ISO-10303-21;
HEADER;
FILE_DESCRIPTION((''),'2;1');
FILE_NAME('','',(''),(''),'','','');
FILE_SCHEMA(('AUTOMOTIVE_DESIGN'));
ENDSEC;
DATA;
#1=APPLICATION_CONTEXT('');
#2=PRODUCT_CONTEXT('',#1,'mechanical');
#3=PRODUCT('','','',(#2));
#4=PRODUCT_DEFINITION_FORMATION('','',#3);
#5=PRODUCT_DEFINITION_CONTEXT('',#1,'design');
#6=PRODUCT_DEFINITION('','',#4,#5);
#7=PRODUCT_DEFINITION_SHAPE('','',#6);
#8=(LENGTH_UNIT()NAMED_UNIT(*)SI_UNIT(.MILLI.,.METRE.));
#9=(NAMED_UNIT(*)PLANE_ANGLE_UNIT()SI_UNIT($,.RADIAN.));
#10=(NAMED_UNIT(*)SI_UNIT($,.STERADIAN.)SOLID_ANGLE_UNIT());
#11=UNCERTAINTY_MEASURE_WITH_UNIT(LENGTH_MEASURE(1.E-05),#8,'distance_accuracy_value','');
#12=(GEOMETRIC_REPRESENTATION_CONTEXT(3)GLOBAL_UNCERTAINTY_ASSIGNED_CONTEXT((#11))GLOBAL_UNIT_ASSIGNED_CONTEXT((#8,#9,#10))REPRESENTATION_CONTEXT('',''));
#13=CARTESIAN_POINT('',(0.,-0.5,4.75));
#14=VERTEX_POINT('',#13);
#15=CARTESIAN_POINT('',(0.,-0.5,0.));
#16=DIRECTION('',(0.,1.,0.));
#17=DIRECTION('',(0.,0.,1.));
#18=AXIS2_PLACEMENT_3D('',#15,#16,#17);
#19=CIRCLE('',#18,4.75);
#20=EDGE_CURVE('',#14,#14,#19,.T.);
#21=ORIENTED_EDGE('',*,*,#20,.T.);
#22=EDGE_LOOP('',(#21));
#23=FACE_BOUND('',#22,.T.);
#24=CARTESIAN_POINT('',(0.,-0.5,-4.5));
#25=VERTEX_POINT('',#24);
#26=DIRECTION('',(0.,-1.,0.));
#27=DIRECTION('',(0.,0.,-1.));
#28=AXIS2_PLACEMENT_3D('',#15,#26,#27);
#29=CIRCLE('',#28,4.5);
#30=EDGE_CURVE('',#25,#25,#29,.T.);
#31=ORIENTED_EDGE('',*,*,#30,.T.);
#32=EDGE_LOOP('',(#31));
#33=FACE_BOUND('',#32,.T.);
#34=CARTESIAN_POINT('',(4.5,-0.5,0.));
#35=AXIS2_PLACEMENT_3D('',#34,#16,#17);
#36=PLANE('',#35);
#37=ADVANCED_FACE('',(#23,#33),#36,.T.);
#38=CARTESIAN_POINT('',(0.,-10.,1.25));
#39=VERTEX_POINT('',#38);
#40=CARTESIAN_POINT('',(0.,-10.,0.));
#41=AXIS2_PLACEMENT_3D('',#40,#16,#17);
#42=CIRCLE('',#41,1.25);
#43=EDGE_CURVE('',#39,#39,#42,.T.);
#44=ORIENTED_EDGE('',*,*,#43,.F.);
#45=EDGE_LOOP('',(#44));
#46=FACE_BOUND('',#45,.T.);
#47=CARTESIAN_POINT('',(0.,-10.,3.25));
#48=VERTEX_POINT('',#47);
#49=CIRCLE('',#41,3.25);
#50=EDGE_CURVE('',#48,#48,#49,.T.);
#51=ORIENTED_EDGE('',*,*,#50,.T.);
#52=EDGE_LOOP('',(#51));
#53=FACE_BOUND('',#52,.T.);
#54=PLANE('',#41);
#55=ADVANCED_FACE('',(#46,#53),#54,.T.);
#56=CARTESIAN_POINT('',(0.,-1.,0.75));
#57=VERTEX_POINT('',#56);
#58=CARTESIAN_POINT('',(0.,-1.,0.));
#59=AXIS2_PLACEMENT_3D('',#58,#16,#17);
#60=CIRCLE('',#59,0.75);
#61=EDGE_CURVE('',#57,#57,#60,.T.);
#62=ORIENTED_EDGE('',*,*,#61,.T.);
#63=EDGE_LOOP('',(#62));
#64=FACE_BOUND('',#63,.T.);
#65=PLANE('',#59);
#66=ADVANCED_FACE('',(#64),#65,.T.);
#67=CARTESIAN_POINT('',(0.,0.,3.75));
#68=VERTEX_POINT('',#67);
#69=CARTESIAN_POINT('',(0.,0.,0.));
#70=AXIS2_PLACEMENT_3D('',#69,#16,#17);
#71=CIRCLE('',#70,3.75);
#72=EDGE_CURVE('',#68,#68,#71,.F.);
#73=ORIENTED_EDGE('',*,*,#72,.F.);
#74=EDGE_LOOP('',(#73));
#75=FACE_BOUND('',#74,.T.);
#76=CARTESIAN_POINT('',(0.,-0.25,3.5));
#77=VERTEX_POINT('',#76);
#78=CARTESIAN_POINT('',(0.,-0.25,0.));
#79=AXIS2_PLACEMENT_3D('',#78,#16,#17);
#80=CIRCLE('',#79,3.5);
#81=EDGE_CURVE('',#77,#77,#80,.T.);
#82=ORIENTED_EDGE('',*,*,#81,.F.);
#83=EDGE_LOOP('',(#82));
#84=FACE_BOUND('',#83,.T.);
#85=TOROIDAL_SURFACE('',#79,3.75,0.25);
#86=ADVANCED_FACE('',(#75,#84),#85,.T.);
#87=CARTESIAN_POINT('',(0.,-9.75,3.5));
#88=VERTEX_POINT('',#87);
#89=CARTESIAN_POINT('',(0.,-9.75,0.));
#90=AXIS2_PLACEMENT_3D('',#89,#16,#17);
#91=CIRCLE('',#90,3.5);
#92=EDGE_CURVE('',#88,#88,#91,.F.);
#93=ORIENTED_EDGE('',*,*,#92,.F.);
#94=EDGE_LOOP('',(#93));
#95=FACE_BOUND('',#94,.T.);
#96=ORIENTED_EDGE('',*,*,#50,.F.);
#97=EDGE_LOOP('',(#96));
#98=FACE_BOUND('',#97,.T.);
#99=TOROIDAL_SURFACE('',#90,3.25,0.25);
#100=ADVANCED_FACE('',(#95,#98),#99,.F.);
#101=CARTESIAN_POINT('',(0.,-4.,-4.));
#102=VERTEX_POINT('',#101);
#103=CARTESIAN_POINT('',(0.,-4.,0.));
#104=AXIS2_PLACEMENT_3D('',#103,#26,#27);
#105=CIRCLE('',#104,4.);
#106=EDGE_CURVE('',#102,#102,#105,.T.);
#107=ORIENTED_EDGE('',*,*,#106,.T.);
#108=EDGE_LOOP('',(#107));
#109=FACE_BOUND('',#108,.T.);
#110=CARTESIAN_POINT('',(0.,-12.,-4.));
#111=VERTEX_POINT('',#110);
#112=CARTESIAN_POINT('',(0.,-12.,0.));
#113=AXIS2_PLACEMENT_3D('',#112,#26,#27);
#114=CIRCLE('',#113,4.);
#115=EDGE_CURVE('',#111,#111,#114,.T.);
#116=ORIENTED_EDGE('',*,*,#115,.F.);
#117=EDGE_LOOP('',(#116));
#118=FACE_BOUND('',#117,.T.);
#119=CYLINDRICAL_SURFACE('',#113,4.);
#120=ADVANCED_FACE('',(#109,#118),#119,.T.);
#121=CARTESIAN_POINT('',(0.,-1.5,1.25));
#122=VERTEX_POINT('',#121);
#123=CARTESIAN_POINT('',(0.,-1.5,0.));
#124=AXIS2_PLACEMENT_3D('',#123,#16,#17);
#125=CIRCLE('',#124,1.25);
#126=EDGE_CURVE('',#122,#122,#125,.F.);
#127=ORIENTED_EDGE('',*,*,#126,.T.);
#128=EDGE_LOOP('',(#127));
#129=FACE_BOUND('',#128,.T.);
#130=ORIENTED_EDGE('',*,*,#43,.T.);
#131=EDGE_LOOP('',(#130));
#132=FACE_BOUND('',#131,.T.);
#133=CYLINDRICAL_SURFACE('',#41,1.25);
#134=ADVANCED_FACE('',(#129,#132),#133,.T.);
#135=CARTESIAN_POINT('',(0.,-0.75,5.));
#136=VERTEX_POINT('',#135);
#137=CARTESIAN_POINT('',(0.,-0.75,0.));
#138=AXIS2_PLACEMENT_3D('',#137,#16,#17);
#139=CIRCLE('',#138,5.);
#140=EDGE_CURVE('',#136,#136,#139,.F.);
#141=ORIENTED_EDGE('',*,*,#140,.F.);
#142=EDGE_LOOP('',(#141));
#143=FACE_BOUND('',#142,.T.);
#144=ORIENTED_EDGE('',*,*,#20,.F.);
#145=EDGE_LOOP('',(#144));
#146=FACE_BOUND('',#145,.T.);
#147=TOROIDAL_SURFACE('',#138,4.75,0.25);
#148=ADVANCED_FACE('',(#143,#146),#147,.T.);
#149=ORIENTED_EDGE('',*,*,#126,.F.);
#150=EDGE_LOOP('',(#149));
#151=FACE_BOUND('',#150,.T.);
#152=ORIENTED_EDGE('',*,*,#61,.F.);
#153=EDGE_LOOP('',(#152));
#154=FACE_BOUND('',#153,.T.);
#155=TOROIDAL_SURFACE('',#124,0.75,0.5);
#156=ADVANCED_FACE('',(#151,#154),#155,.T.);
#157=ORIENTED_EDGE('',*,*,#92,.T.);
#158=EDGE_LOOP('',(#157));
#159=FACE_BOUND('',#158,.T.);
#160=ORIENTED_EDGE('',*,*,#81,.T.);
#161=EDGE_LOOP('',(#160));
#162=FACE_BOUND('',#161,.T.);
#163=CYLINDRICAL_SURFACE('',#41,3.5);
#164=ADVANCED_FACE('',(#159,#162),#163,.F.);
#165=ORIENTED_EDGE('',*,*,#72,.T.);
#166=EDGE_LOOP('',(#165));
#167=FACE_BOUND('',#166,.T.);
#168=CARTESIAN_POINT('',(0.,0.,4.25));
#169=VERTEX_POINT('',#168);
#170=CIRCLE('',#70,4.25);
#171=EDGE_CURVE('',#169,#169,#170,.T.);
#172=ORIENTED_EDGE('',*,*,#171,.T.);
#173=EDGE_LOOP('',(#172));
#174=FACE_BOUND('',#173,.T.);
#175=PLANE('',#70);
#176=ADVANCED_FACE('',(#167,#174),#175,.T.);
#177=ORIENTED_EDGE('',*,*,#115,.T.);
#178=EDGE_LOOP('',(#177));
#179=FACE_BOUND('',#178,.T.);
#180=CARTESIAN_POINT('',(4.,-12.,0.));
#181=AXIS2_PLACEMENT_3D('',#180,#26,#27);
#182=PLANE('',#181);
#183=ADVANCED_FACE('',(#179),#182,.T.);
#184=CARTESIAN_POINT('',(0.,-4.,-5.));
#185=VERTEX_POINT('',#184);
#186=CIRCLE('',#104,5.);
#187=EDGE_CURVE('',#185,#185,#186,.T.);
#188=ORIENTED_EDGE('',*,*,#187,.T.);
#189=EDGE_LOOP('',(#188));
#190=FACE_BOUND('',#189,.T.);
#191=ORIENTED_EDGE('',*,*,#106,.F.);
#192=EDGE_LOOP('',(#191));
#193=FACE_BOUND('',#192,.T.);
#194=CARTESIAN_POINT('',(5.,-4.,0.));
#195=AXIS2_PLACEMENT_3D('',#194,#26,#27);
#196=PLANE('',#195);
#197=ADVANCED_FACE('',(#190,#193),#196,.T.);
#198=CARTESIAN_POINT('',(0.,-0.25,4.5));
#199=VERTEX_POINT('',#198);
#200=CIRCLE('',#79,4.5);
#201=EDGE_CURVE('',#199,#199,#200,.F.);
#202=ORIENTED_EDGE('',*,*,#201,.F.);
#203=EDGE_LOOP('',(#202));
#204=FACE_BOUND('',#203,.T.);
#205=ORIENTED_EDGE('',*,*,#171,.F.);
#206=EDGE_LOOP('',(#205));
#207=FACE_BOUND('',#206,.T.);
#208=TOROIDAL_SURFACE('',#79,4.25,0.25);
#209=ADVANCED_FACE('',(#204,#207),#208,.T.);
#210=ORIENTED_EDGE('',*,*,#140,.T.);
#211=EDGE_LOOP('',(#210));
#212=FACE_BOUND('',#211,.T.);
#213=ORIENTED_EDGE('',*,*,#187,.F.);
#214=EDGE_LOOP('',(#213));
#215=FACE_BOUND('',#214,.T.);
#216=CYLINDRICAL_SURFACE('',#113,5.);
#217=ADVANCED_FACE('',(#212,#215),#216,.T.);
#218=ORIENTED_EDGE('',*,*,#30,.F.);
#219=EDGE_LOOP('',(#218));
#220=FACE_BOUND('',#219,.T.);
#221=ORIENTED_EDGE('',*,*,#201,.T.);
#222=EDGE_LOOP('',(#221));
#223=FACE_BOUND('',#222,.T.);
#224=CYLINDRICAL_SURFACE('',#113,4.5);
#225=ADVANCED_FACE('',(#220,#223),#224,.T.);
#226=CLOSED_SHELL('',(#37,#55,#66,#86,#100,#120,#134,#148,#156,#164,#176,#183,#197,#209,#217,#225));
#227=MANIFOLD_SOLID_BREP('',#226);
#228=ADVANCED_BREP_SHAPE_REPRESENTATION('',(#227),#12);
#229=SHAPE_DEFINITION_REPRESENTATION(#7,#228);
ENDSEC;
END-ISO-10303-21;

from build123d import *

# Parameters (mm, degrees)
SKETCH2_R            = 3.5
SKETCH2_R_2          = 1.25
INSIDE_CUT_DEPTH     = 10
SKETCH3_R            = 1.25
PIN_SHORTENING_DEPTH = 1
FILLET1_R            = 0.5
FILLET2_R            = 0.25


with BuildPart() as part:
    # Sketch1 → BULK (revolve)
    with BuildSketch(Plane.XY, mode=Mode.PRIVATE) as bulk_sk:
        Polygon((0, 0), (4.5, 0), (4.5, -0.5), (5, -0.5), (5, -4), (4, -4), (4, -12), (0, -12), align=None)
    revolve(bulk_sk.sketch.rotate(Axis((0, -12, 0), (0, 1, 0)), 90), axis=Axis((0, -12, 0), (0, 1, 0)))

    # Sketch2 → INSIDE CUT (cut)
    with BuildSketch(Plane(origin=(0, 0, 0), x_dir=(1, 0, 0), z_dir=(0, 1, 0))):
        with Locations(Location((0, 0, 0), (0, 0, 270))):
            Circle(SKETCH2_R)
        with Locations(Location((0, 0, 0), (0, 0, 270))):
            Circle(SKETCH2_R_2, mode=Mode.SUBTRACT)
    extrude(amount=-INSIDE_CUT_DEPTH, mode=Mode.SUBTRACT)

    # Sketch3 → PIN SHORTENING (cut)
    with BuildSketch(Plane(origin=(0, 0, 0), x_dir=(1, 0, 0), z_dir=(0, 1, 0))):
        with Locations(Location((0, 0, 0), (0, 0, 270))):
            Circle(SKETCH3_R)
    extrude(amount=-PIN_SHORTENING_DEPTH, mode=Mode.SUBTRACT)

    # Fillet1
    fillet1_edges = [part.edges().sort_by_distance(p)[0] for p in [
        (0, -1, -1.25),
    ]]
    fillet(fillet1_edges, radius=FILLET1_R)

    # Fillet2
    fillet2_edges = [part.edges().sort_by_distance(p)[0] for p in [
        (0, -10, -3.5),
        (0, 0, -3.5),
        (0, -0.5, 5),
        (0, 0, 4.5),
    ]]
    fillet(fillet2_edges, radius=FILLET2_R)


solid = part.part
